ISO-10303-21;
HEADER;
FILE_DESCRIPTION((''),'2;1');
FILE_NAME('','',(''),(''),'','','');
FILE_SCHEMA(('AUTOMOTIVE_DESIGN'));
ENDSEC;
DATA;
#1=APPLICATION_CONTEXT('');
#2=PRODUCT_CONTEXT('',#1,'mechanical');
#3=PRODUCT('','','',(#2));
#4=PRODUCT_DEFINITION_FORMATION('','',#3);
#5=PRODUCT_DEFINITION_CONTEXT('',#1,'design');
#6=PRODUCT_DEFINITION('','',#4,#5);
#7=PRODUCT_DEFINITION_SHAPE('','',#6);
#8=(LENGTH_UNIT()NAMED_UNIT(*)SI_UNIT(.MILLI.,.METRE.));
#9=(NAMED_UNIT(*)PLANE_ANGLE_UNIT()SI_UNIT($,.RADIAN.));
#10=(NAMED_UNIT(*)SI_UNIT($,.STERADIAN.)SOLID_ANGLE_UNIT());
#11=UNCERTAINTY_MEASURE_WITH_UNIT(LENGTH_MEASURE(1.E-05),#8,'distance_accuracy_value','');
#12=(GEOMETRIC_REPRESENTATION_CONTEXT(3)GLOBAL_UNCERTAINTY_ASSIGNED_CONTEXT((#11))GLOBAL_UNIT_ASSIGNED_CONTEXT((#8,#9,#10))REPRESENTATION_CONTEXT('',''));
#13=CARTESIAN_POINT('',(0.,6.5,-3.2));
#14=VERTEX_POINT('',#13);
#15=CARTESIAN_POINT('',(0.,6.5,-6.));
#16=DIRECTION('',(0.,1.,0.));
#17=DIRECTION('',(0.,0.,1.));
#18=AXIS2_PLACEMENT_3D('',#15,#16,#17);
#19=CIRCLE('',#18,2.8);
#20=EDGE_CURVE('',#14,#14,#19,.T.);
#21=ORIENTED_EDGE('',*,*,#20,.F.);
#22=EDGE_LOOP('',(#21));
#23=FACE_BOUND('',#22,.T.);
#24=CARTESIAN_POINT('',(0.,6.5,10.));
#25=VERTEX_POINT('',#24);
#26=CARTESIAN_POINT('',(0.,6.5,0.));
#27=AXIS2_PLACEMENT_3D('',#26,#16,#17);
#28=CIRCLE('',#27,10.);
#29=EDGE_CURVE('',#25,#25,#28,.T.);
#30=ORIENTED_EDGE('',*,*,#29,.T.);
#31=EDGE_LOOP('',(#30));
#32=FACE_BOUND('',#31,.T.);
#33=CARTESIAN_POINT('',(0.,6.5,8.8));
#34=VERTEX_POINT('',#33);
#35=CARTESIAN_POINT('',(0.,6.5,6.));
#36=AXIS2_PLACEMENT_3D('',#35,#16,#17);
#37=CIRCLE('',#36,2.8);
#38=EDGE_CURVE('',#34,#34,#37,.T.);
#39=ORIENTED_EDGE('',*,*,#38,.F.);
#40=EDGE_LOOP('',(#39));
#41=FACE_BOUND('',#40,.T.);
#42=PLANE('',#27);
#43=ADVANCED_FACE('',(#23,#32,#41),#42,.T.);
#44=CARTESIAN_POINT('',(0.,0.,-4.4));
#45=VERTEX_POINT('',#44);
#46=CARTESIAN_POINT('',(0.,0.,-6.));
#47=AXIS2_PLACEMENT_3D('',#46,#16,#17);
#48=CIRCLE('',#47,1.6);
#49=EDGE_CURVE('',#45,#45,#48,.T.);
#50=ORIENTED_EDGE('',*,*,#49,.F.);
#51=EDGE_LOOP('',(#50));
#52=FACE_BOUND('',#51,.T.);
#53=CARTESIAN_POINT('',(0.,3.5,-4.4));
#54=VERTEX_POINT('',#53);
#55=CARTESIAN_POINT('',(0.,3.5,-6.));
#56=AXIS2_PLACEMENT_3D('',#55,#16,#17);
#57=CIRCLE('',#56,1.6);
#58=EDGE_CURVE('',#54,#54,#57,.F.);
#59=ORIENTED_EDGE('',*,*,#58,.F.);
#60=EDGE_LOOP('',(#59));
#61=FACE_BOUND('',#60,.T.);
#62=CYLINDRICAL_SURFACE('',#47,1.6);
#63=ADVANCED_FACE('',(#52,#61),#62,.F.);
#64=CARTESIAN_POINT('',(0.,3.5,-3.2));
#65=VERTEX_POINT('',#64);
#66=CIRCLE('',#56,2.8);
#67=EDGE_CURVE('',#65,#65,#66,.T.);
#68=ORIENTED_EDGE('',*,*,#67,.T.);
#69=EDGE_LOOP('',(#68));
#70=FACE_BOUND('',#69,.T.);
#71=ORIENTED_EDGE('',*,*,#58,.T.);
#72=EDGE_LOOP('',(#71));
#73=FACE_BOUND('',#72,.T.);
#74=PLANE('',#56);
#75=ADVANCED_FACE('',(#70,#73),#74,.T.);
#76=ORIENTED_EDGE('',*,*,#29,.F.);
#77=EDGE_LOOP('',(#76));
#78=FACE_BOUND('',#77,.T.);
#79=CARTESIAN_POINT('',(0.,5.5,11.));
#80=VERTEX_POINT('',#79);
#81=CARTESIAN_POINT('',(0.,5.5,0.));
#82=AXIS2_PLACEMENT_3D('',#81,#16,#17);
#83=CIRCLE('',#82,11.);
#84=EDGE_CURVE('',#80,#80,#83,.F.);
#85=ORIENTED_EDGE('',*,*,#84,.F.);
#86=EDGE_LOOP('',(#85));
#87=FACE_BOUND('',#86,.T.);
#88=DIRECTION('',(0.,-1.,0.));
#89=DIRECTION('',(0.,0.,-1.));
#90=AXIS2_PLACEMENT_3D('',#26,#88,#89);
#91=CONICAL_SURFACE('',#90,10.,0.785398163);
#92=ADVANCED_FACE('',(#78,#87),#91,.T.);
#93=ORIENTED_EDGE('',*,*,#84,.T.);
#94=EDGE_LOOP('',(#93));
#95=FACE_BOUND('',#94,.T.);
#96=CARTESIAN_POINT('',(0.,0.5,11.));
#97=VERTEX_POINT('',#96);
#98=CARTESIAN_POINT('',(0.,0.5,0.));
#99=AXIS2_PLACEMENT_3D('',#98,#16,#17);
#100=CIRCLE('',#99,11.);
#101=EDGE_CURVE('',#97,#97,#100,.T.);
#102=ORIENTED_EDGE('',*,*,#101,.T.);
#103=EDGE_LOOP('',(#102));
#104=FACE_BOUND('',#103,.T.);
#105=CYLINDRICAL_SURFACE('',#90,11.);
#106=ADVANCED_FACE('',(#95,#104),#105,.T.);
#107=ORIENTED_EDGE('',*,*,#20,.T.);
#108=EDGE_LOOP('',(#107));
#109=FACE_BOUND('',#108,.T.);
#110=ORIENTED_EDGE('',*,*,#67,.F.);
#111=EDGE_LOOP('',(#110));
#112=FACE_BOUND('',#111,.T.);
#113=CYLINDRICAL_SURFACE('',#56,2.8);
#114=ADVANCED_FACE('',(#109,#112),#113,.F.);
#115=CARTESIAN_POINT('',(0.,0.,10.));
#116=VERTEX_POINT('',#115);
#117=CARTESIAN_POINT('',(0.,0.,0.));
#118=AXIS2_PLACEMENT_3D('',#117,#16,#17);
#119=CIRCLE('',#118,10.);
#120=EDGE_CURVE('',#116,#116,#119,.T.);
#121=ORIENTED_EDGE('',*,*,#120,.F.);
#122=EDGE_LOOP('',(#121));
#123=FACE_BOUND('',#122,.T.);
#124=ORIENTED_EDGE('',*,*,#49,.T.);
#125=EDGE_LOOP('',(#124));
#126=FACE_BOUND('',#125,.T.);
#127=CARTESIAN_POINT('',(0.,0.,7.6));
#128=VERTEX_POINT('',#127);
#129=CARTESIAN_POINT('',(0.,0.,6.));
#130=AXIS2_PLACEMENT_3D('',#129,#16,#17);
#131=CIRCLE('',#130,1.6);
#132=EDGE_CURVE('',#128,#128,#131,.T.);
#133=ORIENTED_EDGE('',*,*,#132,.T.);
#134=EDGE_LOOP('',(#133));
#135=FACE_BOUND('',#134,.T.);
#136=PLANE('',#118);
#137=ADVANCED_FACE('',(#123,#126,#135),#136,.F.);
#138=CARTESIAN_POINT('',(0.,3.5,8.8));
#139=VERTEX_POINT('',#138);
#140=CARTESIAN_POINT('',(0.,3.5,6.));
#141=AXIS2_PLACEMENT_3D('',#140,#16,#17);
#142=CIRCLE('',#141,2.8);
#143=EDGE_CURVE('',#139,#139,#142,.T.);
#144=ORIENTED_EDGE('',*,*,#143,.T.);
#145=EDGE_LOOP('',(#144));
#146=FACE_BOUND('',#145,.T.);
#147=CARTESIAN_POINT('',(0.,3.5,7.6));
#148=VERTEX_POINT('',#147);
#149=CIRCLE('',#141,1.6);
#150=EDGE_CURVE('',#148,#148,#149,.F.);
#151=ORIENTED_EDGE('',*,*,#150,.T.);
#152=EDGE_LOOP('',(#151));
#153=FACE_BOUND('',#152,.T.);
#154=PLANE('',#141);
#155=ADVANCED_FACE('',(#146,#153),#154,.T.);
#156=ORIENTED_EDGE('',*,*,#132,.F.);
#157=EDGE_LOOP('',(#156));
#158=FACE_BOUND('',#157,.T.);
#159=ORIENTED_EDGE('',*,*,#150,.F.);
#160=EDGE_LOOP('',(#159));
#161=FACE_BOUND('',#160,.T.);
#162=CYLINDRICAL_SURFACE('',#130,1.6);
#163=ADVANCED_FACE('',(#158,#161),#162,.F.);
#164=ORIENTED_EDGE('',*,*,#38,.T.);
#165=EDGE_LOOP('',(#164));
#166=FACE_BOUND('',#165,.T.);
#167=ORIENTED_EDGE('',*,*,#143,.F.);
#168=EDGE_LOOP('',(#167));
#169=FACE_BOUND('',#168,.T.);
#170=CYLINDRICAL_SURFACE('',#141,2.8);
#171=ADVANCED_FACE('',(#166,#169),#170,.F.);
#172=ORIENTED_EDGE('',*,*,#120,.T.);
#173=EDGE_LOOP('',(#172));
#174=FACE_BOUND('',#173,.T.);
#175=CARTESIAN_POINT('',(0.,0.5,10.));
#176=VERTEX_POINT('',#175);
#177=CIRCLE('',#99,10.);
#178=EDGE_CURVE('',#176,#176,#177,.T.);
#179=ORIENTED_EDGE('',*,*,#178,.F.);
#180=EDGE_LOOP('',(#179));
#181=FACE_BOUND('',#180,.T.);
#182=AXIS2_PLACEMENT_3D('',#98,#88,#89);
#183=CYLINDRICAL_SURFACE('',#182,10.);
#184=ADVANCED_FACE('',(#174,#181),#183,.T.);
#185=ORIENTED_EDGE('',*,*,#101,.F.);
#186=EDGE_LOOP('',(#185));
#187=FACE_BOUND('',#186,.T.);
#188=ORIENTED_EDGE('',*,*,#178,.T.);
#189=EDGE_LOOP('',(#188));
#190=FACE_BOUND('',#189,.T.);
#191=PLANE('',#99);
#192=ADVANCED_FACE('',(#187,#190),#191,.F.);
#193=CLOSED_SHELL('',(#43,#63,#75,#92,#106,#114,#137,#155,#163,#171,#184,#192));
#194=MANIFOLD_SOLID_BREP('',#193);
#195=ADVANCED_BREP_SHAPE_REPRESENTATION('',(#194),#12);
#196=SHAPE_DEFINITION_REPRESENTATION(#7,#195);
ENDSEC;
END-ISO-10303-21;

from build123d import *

# Parameters (mm, degrees)
ESQUISSE1_R             = 10
BOSS_EXTRU_1_DEPTH      = 0.5
ESQUISSE2_R             = 11
BOSS_EXTRU_2_DEPTH      = 6
CHANFREIN1_SIZE         = 1
ESQUISSE3_R             = 1.6
ENL_V_MAT_EXTRU_1_DEPTH = 17.8597153
ESQUISSE4_R             = 2.8
ENL_V_MAT_EXTRU_2_DEPTH = 3


with BuildPart() as part:
    # Esquisse1 → Boss.-Extru.1 (new body)
    with BuildSketch(Plane(origin=(0, 0, 0), x_dir=(1, 0, 0), z_dir=(0, 1, 0))):
        with Locations(Location((0, 0, 0), (0, 0, 270))):
            Circle(ESQUISSE1_R)
    extrude(amount=BOSS_EXTRU_1_DEPTH)

    # Esquisse2 → Boss.-Extru.2 (add)
    with BuildSketch(Plane(origin=(0, 0.5, 0), x_dir=(1, 0, 0), z_dir=(0, 1, 0))):
        with Locations(Location((0, 0, 0), (0, 0, 270))):
            Circle(ESQUISSE2_R)
    extrude(amount=BOSS_EXTRU_2_DEPTH)

    # Chanfrein1
    chanfrein1_edges = [part.edges().sort_by_distance(p)[0] for p in [
        (0, 6.5, -11),
    ]]
    chamfer(chanfrein1_edges, length=CHANFREIN1_SIZE)

    # Esquisse3 → Enlèv. mat.-Extru.1 (cut, through all)
    with BuildSketch(Plane(origin=(0, 6.5, 0), x_dir=(1, 0, 0), z_dir=(0, 1, 0))):
        with Locations(Location((0, 6, 0), (0, 0, 270))):
            Circle(ESQUISSE3_R)
        with Locations(Location((0, -6, 0), (0, 0, 270))):
            Circle(ESQUISSE3_R)
    extrude(amount=-ENL_V_MAT_EXTRU_1_DEPTH, mode=Mode.SUBTRACT)

    # Esquisse4 → Enlèv. mat.-Extru.2 (cut)
    with BuildSketch(Plane(origin=(0, 6.5, 0), x_dir=(1, 0, 0), z_dir=(0, 1, 0))):
        with Locations(Location((0, 6, 0), (0, 0, 270))):
            Circle(ESQUISSE4_R)
        with Locations(Location((0, -6, 0), (0, 0, 270))):
            Circle(ESQUISSE4_R)
    extrude(amount=-ENL_V_MAT_EXTRU_2_DEPTH, mode=Mode.SUBTRACT)


solid = part.part
